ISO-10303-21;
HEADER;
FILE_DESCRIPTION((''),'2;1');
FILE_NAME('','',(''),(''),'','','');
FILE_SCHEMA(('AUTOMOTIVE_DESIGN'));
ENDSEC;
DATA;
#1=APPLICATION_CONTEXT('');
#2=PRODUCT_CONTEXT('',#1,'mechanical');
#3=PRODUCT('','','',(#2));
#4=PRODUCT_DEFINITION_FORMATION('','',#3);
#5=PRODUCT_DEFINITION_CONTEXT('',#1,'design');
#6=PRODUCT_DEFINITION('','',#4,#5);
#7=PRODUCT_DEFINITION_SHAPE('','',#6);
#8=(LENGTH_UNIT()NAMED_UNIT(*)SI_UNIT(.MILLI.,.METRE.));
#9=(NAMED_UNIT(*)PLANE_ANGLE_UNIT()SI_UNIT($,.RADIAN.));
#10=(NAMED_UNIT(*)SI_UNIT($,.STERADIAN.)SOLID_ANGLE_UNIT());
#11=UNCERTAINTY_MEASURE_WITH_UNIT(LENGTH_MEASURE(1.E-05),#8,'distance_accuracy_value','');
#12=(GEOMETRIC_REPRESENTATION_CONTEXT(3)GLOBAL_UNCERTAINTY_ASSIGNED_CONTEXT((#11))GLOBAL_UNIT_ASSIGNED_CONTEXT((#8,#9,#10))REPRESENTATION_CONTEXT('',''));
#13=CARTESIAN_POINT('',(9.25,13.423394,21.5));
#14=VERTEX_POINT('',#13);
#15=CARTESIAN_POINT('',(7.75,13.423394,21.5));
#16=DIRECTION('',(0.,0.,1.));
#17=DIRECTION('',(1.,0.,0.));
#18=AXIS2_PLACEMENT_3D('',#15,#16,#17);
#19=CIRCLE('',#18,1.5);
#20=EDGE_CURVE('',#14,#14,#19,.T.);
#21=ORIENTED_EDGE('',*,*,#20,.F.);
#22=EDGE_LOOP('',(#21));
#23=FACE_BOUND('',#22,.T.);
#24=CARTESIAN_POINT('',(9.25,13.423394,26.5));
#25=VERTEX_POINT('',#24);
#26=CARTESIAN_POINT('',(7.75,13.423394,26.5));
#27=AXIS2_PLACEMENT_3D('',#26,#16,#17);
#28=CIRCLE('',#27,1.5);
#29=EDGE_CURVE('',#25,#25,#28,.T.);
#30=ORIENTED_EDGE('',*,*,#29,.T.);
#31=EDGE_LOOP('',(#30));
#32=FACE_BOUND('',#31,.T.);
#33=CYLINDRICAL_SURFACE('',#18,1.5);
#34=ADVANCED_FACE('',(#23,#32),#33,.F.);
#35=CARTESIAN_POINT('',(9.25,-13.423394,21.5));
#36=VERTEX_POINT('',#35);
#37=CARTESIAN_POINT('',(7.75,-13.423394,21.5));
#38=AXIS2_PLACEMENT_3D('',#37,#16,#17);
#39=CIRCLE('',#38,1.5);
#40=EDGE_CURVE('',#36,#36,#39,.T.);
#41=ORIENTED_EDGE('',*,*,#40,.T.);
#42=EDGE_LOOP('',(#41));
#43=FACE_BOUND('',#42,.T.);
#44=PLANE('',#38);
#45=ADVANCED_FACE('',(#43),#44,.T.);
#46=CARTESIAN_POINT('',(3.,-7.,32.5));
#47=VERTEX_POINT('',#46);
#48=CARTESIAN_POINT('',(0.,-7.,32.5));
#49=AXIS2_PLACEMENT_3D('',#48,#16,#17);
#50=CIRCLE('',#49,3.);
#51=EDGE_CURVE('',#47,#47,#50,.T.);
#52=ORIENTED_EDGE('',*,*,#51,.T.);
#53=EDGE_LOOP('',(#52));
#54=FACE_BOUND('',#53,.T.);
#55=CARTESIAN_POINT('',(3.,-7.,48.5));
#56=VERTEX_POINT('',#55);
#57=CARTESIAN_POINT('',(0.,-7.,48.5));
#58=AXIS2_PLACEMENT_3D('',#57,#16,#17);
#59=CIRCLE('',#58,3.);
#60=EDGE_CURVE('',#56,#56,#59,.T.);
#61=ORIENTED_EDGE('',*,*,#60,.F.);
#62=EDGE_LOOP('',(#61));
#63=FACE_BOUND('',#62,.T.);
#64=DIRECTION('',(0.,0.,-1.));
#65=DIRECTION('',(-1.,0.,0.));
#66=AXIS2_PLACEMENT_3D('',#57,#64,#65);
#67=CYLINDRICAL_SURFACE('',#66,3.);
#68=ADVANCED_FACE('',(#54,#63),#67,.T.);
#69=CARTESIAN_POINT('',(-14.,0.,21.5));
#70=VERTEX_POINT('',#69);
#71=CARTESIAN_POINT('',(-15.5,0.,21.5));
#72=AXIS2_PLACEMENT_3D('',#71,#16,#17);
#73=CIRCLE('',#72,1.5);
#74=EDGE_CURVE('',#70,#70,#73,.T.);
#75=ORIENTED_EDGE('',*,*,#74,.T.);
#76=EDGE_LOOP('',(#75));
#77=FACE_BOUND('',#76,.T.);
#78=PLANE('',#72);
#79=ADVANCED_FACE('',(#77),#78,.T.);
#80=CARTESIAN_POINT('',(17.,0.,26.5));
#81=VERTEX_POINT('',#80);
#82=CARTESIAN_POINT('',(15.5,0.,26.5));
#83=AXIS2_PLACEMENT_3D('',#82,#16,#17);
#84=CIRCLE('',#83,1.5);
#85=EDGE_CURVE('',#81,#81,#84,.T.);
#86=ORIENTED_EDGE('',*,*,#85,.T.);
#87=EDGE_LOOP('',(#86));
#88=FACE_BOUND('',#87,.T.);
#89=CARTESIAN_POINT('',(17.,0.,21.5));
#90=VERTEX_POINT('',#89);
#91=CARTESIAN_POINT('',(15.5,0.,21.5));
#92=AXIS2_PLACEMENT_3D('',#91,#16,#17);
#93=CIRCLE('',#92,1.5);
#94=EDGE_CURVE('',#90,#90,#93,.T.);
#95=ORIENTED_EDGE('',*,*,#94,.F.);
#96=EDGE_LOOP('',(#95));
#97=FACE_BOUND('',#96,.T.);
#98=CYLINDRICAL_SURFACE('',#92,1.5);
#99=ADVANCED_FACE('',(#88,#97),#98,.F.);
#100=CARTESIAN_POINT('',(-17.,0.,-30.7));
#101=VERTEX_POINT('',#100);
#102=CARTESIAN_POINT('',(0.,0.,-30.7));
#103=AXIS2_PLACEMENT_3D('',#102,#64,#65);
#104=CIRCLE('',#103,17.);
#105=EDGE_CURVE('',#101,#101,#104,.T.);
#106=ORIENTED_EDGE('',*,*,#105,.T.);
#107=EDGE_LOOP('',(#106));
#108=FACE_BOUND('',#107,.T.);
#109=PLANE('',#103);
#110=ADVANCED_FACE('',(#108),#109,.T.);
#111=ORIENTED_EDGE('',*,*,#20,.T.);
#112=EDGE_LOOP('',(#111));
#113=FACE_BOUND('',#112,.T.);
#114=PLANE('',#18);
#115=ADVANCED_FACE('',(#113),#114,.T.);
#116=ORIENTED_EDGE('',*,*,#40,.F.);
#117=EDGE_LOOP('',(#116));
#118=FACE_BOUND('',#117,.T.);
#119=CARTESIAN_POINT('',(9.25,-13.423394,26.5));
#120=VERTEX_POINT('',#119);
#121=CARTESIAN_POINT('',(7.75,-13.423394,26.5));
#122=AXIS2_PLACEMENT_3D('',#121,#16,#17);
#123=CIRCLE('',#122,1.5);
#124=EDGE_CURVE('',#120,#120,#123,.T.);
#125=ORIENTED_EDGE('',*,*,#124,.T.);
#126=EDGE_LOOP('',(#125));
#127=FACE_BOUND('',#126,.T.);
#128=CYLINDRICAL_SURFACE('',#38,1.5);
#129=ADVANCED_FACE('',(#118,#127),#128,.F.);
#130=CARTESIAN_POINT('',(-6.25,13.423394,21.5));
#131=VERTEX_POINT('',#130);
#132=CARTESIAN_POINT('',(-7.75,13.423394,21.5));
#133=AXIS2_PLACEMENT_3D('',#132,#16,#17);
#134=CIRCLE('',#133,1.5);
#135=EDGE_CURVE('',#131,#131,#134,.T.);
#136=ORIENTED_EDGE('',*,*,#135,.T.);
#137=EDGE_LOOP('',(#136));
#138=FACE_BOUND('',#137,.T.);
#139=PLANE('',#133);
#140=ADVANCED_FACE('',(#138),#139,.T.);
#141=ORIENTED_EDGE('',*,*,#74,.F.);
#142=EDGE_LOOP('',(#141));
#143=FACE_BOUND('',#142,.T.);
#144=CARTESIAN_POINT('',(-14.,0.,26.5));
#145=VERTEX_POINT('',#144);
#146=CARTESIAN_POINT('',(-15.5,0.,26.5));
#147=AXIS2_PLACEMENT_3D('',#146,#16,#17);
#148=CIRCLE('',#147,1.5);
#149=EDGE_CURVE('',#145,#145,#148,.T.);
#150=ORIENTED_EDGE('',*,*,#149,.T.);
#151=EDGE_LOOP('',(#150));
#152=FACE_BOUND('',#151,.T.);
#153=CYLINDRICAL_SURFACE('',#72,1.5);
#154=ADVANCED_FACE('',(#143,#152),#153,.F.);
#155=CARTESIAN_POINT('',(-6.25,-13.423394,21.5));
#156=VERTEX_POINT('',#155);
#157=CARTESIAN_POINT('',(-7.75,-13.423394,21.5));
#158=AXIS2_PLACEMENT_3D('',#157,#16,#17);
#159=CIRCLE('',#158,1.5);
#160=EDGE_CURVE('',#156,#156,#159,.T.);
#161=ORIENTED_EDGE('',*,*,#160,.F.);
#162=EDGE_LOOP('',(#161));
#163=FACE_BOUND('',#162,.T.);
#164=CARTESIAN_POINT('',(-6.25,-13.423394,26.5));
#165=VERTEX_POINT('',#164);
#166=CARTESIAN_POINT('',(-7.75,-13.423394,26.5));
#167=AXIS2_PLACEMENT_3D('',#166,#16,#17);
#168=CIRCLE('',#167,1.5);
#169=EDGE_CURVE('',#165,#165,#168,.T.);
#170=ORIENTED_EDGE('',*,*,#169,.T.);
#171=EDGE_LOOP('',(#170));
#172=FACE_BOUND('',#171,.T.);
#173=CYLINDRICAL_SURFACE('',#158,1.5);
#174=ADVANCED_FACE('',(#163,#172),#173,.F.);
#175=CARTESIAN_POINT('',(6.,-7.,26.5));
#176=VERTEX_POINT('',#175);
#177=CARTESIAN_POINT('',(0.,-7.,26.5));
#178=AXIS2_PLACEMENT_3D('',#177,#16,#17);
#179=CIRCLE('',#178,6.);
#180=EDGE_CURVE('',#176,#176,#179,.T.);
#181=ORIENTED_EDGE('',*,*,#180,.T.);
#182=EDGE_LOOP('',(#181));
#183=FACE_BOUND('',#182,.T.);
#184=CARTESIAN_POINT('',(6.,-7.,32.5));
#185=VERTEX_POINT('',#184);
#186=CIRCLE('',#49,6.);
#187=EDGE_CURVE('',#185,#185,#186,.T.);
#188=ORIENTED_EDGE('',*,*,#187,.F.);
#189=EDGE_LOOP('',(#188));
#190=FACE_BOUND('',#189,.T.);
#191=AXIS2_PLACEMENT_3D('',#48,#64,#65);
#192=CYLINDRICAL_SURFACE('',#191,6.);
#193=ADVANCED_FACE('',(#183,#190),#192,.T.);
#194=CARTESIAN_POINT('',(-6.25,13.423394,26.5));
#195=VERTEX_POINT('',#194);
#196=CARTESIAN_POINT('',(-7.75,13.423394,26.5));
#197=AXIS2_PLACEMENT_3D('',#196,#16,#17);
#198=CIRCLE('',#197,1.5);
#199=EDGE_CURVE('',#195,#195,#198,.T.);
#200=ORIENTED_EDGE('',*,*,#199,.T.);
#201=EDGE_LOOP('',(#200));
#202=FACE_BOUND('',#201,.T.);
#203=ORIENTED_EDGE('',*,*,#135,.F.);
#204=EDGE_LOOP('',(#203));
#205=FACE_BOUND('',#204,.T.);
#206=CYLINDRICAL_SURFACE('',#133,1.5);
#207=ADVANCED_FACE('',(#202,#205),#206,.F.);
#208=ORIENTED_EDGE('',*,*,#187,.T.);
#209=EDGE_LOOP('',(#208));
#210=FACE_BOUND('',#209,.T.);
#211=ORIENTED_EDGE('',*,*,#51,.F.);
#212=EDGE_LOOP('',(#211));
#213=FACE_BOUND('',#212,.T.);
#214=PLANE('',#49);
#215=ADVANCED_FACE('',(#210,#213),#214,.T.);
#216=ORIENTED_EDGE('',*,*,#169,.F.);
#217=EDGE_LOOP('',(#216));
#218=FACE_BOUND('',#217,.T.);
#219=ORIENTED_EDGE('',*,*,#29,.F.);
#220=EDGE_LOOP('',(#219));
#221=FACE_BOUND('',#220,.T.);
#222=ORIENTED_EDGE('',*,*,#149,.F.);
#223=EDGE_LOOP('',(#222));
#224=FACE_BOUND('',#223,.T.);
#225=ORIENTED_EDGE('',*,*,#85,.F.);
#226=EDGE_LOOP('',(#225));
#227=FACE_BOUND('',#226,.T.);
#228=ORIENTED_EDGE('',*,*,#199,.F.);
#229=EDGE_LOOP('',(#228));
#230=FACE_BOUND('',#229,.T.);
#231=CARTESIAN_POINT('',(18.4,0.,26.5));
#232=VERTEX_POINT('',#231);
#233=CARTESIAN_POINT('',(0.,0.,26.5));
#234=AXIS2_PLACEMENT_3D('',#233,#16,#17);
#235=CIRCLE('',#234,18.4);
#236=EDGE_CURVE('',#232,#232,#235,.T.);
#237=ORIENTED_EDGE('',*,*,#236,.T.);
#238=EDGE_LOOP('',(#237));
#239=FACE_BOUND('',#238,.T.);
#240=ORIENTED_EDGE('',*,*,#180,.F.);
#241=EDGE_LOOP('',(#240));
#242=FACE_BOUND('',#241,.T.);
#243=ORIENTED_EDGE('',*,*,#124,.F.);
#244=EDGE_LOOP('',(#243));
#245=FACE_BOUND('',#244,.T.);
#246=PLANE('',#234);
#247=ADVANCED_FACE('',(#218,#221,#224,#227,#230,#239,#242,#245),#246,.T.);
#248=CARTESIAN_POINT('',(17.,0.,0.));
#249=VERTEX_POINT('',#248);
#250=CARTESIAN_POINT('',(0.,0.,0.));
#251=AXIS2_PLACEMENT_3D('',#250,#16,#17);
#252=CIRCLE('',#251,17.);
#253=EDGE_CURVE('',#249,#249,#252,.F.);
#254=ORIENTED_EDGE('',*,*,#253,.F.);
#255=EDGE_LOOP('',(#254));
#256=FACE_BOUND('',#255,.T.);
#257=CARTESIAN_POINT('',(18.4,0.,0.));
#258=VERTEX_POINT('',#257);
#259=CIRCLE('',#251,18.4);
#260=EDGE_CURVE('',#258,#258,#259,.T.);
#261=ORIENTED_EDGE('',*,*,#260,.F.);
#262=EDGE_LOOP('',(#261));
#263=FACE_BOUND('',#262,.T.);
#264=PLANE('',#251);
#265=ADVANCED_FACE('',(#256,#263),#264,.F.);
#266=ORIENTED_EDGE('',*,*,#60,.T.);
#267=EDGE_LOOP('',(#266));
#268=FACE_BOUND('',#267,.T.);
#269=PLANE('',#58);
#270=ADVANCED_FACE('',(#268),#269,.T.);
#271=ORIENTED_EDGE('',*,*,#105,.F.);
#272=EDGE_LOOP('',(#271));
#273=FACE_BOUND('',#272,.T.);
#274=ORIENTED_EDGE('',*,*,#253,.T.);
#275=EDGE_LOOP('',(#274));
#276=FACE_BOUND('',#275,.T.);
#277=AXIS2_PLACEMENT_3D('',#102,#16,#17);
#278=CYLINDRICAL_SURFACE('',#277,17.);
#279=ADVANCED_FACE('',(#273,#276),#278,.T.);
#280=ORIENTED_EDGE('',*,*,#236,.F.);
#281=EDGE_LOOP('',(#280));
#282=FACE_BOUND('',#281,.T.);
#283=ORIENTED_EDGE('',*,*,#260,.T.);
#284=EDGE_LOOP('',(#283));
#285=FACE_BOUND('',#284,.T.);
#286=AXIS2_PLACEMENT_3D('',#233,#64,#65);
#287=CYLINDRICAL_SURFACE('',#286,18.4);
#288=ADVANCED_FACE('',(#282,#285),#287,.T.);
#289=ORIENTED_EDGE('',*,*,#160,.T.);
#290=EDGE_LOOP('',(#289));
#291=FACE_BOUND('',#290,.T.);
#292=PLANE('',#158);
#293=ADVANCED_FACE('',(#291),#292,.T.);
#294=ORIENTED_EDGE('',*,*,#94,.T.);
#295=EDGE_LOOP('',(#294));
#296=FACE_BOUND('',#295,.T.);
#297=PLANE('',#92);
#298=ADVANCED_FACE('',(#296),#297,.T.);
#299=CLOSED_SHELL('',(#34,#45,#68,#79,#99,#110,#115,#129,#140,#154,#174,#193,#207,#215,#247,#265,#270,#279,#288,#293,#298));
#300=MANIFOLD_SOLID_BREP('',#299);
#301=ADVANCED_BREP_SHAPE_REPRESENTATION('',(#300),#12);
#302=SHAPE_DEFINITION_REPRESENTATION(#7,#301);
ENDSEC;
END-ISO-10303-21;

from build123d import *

# Parameters (mm, degrees)
CROQUIS1_R              = 18.4
SALIENTE_EXTRUIR1_DEPTH = 26.5
CROQUIS2_R              = 17
SALIENTE_EXTRUIR2_DEPTH = 30.7
CROQUIS3_R              = 1.5
CORTAR_EXTRUIR1_DEPTH   = 5
CROQUIS4_R              = 6
SALIENTE_EXTRUIR3_DEPTH = 6
CROQUIS5_R              = 3
SALIENTE_EXTRUIR4_DEPTH = 16


with BuildPart() as part:
    # Croquis1 → Saliente-Extruir1 (new body)
    with BuildSketch(Plane.XY):
        Circle(CROQUIS1_R)
    extrude(amount=SALIENTE_EXTRUIR1_DEPTH)

    # Croquis2 → Saliente-Extruir2 (add)
    with BuildSketch(Plane(origin=(0, 0, 0), x_dir=(-1, 0, 0), z_dir=(0, 0, -1))):
        Circle(CROQUIS2_R)
    extrude(amount=SALIENTE_EXTRUIR2_DEPTH)

    # Croquis3 → Cortar-Extruir1 (cut)
    with BuildSketch(Plane.XY.offset(26.5)):
        with Locations((-15.5, 0)):
            Circle(CROQUIS3_R)
        with Locations((-7.75, 13.423393759)):
            Circle(CROQUIS3_R)
        with Locations((7.75, 13.423393759)):
            Circle(CROQUIS3_R)
        with Locations((15.5, 0)):
            Circle(CROQUIS3_R)
        with Locations((7.75, -13.423393759)):
            Circle(CROQUIS3_R)
        with Locations((-7.75, -13.423393759)):
            Circle(CROQUIS3_R)
    extrude(amount=-CORTAR_EXTRUIR1_DEPTH, mode=Mode.SUBTRACT)

    # Croquis4 → Saliente-Extruir3 (add)
    with BuildSketch(Plane.XY.offset(26.5)):
        with Locations((0, -7)):
            Circle(CROQUIS4_R)
    extrude(amount=SALIENTE_EXTRUIR3_DEPTH)

    # Croquis5 → Saliente-Extruir4 (add)
    with BuildSketch(Plane.XY.offset(32.5)):
        with Locations((0, -7)):
            Circle(CROQUIS5_R)
    extrude(amount=SALIENTE_EXTRUIR4_DEPTH)


solid = part.part
